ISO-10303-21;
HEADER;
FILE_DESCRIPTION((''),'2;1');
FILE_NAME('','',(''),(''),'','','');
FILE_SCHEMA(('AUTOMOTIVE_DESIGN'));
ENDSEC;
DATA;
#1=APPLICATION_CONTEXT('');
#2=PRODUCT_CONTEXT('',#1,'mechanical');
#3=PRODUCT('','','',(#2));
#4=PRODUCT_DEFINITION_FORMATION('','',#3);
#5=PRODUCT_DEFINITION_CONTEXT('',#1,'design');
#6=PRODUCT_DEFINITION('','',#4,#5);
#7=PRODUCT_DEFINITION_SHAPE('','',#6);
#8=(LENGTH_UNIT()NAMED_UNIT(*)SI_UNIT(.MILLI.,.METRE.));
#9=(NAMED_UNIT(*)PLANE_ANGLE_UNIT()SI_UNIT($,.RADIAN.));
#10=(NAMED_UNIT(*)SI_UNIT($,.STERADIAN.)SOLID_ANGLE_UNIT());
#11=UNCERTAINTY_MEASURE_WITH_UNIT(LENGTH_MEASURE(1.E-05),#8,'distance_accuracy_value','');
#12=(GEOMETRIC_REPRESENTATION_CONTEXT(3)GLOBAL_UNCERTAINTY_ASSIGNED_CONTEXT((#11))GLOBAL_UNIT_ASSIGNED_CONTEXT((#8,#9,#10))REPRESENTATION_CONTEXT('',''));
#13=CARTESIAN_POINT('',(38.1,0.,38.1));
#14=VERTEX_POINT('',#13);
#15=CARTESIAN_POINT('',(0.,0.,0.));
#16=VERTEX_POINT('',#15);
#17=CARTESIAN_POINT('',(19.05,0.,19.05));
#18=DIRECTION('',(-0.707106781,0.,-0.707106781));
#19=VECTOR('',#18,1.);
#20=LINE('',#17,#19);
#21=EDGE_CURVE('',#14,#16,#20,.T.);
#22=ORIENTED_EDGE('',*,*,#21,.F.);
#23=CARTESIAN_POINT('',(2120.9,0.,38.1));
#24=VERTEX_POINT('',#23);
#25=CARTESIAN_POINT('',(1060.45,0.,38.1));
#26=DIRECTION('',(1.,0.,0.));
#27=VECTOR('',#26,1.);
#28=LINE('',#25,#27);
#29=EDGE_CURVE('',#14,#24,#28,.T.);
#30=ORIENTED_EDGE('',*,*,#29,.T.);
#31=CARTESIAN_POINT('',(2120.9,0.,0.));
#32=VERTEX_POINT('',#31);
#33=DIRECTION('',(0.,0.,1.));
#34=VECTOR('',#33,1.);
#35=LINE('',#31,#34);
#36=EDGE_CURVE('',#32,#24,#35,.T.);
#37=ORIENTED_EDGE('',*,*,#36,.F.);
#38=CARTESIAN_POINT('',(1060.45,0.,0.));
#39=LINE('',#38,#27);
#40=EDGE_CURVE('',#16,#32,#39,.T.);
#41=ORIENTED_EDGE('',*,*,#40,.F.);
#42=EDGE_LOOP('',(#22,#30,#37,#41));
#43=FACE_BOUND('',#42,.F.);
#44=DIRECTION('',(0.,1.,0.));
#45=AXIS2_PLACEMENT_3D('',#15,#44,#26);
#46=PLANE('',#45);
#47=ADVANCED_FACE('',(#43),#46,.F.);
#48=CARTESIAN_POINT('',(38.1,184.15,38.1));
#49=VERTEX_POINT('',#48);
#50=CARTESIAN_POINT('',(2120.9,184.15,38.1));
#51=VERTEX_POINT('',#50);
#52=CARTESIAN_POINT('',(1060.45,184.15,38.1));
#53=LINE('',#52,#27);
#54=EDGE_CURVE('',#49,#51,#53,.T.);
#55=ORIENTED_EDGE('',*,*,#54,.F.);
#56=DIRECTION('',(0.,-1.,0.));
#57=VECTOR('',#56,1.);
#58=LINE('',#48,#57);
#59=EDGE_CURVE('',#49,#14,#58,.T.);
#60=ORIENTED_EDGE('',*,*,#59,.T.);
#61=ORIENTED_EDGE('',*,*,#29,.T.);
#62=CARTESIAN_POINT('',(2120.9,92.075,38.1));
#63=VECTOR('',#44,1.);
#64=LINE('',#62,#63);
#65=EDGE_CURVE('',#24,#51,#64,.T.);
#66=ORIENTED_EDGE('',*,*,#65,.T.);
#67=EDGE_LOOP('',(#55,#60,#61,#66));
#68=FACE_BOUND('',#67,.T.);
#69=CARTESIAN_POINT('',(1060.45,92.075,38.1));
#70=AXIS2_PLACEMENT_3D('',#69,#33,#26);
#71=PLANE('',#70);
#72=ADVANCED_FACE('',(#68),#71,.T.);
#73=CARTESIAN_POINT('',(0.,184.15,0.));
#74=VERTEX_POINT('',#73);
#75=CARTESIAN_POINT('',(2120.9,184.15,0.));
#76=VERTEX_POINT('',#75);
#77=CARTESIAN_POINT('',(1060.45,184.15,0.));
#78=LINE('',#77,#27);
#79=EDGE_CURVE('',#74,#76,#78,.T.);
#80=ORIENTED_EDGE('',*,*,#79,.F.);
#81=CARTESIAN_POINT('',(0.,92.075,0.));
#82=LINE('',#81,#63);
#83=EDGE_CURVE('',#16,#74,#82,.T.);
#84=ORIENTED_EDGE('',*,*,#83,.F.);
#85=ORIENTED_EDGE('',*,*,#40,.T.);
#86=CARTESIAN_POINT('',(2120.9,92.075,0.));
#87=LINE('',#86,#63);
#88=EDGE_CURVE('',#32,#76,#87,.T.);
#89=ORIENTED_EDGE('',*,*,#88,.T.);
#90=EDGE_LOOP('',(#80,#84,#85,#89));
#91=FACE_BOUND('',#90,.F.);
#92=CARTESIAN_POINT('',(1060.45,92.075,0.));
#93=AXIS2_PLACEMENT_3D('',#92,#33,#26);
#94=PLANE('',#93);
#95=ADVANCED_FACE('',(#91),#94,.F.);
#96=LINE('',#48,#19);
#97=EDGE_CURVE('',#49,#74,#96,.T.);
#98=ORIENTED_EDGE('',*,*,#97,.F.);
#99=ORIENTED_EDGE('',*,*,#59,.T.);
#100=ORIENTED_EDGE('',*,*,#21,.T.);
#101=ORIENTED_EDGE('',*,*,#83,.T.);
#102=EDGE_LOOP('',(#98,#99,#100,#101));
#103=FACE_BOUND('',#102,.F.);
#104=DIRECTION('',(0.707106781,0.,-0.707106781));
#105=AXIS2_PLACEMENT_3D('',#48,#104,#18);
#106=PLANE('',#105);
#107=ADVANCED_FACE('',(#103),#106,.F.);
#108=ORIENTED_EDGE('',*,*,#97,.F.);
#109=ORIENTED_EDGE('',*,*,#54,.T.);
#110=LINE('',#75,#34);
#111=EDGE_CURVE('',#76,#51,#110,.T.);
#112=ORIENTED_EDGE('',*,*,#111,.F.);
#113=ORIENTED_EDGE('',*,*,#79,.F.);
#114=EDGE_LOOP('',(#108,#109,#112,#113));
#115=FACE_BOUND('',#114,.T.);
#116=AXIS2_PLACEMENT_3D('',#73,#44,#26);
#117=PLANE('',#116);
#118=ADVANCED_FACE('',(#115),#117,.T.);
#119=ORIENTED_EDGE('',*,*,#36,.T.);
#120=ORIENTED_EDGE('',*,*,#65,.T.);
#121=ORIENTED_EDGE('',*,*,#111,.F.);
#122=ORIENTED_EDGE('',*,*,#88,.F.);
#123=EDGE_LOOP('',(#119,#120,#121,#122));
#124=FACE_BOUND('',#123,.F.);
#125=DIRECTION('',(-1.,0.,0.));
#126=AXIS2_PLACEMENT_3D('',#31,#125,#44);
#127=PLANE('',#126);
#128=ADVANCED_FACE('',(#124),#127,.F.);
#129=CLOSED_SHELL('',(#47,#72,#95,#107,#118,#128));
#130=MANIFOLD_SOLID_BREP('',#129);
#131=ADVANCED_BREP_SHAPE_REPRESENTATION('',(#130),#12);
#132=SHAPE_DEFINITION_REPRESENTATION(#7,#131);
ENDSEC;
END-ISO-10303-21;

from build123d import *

# Parameters (mm, degrees)
F0_W     = 2120.9
F0_H     = 184.15
F1_DEPTH = 38.1
F3_DEPTH = 254


with BuildPart() as f1:
    # F0 (on Top) → F1 (new body)
    with BuildSketch(Plane.XY):
        with Locations((1060.45, 92.075)):
            Rectangle(F0_W, F0_H)
    extrude(amount=F1_DEPTH)

    # F2 (on face) → F3 (cut)
    with BuildSketch(Plane(origin=(0, 184.15, 0), x_dir=(-1, 0, 0), z_dir=(0, 1, 0))):
        Polygon((0, 0), (0, 38.1), (-38.1, 38.1), align=None)
    extrude(amount=-F3_DEPTH, mode=Mode.SUBTRACT)


solid = f1.part
